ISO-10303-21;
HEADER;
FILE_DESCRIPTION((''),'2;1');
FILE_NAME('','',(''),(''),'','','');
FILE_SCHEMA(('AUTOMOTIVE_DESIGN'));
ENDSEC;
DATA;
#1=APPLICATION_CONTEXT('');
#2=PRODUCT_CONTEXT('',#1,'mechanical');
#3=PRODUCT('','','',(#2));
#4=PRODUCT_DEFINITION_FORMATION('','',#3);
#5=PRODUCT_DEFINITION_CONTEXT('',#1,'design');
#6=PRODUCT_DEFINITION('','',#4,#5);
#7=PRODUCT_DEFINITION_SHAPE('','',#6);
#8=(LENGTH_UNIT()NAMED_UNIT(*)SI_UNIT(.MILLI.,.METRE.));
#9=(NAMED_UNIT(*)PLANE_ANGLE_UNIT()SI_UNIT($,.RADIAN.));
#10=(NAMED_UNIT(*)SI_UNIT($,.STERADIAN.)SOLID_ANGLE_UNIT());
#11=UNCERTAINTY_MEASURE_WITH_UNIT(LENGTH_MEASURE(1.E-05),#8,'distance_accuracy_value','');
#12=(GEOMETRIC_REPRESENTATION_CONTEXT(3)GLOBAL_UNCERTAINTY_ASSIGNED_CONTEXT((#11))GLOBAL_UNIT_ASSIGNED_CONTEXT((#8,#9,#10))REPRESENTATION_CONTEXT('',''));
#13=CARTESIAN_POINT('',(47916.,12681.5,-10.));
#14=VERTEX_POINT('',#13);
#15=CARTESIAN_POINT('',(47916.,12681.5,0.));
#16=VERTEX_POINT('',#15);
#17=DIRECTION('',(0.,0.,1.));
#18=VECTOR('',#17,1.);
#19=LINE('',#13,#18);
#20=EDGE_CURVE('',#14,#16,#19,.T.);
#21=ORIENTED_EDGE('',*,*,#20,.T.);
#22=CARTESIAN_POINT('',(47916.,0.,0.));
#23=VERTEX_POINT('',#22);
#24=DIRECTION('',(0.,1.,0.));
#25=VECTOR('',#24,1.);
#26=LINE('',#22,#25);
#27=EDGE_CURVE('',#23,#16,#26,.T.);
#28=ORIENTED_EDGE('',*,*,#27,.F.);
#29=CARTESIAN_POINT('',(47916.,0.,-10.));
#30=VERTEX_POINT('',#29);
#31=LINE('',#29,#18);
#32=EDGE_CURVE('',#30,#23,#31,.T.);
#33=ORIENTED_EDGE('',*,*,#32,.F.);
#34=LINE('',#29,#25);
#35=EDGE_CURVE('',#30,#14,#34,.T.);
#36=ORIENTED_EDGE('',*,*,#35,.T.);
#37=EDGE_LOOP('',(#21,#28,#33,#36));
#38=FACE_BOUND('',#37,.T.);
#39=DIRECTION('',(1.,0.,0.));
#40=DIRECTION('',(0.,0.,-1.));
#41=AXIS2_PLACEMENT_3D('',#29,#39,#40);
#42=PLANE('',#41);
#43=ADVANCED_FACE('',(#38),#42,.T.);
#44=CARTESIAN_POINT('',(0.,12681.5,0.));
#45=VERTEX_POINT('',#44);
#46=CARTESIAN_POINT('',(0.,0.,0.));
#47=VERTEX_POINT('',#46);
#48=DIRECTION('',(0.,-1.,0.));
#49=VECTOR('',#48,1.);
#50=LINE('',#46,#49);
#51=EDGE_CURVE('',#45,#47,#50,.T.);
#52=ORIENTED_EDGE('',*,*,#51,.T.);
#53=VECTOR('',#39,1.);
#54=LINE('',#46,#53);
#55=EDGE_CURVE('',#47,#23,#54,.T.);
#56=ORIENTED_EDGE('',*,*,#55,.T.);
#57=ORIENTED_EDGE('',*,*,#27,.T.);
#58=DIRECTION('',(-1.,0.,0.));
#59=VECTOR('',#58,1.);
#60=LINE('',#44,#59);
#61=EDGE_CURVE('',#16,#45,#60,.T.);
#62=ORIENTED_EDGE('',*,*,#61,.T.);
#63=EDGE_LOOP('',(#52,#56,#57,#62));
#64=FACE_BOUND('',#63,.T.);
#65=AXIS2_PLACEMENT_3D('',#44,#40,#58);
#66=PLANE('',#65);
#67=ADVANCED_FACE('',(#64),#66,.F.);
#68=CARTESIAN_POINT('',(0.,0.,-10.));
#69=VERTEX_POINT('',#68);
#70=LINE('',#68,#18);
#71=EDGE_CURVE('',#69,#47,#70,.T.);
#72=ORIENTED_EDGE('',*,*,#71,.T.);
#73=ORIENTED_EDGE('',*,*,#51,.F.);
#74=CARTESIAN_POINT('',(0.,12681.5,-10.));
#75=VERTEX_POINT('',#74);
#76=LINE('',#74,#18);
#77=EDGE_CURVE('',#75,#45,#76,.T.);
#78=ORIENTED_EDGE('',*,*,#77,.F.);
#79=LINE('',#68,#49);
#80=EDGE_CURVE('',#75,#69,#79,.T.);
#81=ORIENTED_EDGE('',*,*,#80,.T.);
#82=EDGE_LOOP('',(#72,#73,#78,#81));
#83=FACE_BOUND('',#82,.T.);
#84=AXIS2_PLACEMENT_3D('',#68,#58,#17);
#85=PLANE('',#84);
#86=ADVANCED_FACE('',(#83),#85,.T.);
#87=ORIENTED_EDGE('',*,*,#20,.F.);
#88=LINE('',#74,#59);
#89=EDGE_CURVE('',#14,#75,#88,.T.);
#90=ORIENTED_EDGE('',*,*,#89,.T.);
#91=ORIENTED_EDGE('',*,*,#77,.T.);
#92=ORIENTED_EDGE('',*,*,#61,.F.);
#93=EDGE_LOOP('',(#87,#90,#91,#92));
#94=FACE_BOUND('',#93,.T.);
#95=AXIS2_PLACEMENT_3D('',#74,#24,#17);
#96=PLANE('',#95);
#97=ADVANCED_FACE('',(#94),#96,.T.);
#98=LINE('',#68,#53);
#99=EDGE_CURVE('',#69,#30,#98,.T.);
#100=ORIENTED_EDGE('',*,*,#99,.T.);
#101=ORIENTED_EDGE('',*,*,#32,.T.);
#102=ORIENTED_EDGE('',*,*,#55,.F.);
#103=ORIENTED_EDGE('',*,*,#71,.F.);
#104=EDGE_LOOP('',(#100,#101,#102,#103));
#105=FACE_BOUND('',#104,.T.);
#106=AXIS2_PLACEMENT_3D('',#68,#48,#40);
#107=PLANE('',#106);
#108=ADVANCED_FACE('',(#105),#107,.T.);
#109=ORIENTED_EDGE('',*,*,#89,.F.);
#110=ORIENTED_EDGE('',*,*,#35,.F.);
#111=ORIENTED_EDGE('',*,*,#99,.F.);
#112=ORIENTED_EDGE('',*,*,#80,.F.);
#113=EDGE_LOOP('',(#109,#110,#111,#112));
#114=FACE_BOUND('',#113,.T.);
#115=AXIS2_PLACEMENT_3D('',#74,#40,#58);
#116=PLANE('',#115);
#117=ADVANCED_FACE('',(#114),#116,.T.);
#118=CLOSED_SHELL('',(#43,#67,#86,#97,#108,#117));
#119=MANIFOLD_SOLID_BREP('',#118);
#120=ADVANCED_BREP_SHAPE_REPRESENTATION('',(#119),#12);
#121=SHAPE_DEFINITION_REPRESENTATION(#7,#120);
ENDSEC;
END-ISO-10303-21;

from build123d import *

# Parameters (mm, degrees)
SKETCH1_W           = 47916
SKETCH1_H           = 12681.5
BOSS_EXTRUDE1_DEPTH = 10


with BuildPart() as part:
    # Sketch1 → Boss-Extrude1 (new body)
    with BuildSketch(Plane.XY):
        with Locations((23958, 6340.75)):
            Rectangle(SKETCH1_W, SKETCH1_H)
    extrude(amount=-BOSS_EXTRUDE1_DEPTH)


solid = part.part
